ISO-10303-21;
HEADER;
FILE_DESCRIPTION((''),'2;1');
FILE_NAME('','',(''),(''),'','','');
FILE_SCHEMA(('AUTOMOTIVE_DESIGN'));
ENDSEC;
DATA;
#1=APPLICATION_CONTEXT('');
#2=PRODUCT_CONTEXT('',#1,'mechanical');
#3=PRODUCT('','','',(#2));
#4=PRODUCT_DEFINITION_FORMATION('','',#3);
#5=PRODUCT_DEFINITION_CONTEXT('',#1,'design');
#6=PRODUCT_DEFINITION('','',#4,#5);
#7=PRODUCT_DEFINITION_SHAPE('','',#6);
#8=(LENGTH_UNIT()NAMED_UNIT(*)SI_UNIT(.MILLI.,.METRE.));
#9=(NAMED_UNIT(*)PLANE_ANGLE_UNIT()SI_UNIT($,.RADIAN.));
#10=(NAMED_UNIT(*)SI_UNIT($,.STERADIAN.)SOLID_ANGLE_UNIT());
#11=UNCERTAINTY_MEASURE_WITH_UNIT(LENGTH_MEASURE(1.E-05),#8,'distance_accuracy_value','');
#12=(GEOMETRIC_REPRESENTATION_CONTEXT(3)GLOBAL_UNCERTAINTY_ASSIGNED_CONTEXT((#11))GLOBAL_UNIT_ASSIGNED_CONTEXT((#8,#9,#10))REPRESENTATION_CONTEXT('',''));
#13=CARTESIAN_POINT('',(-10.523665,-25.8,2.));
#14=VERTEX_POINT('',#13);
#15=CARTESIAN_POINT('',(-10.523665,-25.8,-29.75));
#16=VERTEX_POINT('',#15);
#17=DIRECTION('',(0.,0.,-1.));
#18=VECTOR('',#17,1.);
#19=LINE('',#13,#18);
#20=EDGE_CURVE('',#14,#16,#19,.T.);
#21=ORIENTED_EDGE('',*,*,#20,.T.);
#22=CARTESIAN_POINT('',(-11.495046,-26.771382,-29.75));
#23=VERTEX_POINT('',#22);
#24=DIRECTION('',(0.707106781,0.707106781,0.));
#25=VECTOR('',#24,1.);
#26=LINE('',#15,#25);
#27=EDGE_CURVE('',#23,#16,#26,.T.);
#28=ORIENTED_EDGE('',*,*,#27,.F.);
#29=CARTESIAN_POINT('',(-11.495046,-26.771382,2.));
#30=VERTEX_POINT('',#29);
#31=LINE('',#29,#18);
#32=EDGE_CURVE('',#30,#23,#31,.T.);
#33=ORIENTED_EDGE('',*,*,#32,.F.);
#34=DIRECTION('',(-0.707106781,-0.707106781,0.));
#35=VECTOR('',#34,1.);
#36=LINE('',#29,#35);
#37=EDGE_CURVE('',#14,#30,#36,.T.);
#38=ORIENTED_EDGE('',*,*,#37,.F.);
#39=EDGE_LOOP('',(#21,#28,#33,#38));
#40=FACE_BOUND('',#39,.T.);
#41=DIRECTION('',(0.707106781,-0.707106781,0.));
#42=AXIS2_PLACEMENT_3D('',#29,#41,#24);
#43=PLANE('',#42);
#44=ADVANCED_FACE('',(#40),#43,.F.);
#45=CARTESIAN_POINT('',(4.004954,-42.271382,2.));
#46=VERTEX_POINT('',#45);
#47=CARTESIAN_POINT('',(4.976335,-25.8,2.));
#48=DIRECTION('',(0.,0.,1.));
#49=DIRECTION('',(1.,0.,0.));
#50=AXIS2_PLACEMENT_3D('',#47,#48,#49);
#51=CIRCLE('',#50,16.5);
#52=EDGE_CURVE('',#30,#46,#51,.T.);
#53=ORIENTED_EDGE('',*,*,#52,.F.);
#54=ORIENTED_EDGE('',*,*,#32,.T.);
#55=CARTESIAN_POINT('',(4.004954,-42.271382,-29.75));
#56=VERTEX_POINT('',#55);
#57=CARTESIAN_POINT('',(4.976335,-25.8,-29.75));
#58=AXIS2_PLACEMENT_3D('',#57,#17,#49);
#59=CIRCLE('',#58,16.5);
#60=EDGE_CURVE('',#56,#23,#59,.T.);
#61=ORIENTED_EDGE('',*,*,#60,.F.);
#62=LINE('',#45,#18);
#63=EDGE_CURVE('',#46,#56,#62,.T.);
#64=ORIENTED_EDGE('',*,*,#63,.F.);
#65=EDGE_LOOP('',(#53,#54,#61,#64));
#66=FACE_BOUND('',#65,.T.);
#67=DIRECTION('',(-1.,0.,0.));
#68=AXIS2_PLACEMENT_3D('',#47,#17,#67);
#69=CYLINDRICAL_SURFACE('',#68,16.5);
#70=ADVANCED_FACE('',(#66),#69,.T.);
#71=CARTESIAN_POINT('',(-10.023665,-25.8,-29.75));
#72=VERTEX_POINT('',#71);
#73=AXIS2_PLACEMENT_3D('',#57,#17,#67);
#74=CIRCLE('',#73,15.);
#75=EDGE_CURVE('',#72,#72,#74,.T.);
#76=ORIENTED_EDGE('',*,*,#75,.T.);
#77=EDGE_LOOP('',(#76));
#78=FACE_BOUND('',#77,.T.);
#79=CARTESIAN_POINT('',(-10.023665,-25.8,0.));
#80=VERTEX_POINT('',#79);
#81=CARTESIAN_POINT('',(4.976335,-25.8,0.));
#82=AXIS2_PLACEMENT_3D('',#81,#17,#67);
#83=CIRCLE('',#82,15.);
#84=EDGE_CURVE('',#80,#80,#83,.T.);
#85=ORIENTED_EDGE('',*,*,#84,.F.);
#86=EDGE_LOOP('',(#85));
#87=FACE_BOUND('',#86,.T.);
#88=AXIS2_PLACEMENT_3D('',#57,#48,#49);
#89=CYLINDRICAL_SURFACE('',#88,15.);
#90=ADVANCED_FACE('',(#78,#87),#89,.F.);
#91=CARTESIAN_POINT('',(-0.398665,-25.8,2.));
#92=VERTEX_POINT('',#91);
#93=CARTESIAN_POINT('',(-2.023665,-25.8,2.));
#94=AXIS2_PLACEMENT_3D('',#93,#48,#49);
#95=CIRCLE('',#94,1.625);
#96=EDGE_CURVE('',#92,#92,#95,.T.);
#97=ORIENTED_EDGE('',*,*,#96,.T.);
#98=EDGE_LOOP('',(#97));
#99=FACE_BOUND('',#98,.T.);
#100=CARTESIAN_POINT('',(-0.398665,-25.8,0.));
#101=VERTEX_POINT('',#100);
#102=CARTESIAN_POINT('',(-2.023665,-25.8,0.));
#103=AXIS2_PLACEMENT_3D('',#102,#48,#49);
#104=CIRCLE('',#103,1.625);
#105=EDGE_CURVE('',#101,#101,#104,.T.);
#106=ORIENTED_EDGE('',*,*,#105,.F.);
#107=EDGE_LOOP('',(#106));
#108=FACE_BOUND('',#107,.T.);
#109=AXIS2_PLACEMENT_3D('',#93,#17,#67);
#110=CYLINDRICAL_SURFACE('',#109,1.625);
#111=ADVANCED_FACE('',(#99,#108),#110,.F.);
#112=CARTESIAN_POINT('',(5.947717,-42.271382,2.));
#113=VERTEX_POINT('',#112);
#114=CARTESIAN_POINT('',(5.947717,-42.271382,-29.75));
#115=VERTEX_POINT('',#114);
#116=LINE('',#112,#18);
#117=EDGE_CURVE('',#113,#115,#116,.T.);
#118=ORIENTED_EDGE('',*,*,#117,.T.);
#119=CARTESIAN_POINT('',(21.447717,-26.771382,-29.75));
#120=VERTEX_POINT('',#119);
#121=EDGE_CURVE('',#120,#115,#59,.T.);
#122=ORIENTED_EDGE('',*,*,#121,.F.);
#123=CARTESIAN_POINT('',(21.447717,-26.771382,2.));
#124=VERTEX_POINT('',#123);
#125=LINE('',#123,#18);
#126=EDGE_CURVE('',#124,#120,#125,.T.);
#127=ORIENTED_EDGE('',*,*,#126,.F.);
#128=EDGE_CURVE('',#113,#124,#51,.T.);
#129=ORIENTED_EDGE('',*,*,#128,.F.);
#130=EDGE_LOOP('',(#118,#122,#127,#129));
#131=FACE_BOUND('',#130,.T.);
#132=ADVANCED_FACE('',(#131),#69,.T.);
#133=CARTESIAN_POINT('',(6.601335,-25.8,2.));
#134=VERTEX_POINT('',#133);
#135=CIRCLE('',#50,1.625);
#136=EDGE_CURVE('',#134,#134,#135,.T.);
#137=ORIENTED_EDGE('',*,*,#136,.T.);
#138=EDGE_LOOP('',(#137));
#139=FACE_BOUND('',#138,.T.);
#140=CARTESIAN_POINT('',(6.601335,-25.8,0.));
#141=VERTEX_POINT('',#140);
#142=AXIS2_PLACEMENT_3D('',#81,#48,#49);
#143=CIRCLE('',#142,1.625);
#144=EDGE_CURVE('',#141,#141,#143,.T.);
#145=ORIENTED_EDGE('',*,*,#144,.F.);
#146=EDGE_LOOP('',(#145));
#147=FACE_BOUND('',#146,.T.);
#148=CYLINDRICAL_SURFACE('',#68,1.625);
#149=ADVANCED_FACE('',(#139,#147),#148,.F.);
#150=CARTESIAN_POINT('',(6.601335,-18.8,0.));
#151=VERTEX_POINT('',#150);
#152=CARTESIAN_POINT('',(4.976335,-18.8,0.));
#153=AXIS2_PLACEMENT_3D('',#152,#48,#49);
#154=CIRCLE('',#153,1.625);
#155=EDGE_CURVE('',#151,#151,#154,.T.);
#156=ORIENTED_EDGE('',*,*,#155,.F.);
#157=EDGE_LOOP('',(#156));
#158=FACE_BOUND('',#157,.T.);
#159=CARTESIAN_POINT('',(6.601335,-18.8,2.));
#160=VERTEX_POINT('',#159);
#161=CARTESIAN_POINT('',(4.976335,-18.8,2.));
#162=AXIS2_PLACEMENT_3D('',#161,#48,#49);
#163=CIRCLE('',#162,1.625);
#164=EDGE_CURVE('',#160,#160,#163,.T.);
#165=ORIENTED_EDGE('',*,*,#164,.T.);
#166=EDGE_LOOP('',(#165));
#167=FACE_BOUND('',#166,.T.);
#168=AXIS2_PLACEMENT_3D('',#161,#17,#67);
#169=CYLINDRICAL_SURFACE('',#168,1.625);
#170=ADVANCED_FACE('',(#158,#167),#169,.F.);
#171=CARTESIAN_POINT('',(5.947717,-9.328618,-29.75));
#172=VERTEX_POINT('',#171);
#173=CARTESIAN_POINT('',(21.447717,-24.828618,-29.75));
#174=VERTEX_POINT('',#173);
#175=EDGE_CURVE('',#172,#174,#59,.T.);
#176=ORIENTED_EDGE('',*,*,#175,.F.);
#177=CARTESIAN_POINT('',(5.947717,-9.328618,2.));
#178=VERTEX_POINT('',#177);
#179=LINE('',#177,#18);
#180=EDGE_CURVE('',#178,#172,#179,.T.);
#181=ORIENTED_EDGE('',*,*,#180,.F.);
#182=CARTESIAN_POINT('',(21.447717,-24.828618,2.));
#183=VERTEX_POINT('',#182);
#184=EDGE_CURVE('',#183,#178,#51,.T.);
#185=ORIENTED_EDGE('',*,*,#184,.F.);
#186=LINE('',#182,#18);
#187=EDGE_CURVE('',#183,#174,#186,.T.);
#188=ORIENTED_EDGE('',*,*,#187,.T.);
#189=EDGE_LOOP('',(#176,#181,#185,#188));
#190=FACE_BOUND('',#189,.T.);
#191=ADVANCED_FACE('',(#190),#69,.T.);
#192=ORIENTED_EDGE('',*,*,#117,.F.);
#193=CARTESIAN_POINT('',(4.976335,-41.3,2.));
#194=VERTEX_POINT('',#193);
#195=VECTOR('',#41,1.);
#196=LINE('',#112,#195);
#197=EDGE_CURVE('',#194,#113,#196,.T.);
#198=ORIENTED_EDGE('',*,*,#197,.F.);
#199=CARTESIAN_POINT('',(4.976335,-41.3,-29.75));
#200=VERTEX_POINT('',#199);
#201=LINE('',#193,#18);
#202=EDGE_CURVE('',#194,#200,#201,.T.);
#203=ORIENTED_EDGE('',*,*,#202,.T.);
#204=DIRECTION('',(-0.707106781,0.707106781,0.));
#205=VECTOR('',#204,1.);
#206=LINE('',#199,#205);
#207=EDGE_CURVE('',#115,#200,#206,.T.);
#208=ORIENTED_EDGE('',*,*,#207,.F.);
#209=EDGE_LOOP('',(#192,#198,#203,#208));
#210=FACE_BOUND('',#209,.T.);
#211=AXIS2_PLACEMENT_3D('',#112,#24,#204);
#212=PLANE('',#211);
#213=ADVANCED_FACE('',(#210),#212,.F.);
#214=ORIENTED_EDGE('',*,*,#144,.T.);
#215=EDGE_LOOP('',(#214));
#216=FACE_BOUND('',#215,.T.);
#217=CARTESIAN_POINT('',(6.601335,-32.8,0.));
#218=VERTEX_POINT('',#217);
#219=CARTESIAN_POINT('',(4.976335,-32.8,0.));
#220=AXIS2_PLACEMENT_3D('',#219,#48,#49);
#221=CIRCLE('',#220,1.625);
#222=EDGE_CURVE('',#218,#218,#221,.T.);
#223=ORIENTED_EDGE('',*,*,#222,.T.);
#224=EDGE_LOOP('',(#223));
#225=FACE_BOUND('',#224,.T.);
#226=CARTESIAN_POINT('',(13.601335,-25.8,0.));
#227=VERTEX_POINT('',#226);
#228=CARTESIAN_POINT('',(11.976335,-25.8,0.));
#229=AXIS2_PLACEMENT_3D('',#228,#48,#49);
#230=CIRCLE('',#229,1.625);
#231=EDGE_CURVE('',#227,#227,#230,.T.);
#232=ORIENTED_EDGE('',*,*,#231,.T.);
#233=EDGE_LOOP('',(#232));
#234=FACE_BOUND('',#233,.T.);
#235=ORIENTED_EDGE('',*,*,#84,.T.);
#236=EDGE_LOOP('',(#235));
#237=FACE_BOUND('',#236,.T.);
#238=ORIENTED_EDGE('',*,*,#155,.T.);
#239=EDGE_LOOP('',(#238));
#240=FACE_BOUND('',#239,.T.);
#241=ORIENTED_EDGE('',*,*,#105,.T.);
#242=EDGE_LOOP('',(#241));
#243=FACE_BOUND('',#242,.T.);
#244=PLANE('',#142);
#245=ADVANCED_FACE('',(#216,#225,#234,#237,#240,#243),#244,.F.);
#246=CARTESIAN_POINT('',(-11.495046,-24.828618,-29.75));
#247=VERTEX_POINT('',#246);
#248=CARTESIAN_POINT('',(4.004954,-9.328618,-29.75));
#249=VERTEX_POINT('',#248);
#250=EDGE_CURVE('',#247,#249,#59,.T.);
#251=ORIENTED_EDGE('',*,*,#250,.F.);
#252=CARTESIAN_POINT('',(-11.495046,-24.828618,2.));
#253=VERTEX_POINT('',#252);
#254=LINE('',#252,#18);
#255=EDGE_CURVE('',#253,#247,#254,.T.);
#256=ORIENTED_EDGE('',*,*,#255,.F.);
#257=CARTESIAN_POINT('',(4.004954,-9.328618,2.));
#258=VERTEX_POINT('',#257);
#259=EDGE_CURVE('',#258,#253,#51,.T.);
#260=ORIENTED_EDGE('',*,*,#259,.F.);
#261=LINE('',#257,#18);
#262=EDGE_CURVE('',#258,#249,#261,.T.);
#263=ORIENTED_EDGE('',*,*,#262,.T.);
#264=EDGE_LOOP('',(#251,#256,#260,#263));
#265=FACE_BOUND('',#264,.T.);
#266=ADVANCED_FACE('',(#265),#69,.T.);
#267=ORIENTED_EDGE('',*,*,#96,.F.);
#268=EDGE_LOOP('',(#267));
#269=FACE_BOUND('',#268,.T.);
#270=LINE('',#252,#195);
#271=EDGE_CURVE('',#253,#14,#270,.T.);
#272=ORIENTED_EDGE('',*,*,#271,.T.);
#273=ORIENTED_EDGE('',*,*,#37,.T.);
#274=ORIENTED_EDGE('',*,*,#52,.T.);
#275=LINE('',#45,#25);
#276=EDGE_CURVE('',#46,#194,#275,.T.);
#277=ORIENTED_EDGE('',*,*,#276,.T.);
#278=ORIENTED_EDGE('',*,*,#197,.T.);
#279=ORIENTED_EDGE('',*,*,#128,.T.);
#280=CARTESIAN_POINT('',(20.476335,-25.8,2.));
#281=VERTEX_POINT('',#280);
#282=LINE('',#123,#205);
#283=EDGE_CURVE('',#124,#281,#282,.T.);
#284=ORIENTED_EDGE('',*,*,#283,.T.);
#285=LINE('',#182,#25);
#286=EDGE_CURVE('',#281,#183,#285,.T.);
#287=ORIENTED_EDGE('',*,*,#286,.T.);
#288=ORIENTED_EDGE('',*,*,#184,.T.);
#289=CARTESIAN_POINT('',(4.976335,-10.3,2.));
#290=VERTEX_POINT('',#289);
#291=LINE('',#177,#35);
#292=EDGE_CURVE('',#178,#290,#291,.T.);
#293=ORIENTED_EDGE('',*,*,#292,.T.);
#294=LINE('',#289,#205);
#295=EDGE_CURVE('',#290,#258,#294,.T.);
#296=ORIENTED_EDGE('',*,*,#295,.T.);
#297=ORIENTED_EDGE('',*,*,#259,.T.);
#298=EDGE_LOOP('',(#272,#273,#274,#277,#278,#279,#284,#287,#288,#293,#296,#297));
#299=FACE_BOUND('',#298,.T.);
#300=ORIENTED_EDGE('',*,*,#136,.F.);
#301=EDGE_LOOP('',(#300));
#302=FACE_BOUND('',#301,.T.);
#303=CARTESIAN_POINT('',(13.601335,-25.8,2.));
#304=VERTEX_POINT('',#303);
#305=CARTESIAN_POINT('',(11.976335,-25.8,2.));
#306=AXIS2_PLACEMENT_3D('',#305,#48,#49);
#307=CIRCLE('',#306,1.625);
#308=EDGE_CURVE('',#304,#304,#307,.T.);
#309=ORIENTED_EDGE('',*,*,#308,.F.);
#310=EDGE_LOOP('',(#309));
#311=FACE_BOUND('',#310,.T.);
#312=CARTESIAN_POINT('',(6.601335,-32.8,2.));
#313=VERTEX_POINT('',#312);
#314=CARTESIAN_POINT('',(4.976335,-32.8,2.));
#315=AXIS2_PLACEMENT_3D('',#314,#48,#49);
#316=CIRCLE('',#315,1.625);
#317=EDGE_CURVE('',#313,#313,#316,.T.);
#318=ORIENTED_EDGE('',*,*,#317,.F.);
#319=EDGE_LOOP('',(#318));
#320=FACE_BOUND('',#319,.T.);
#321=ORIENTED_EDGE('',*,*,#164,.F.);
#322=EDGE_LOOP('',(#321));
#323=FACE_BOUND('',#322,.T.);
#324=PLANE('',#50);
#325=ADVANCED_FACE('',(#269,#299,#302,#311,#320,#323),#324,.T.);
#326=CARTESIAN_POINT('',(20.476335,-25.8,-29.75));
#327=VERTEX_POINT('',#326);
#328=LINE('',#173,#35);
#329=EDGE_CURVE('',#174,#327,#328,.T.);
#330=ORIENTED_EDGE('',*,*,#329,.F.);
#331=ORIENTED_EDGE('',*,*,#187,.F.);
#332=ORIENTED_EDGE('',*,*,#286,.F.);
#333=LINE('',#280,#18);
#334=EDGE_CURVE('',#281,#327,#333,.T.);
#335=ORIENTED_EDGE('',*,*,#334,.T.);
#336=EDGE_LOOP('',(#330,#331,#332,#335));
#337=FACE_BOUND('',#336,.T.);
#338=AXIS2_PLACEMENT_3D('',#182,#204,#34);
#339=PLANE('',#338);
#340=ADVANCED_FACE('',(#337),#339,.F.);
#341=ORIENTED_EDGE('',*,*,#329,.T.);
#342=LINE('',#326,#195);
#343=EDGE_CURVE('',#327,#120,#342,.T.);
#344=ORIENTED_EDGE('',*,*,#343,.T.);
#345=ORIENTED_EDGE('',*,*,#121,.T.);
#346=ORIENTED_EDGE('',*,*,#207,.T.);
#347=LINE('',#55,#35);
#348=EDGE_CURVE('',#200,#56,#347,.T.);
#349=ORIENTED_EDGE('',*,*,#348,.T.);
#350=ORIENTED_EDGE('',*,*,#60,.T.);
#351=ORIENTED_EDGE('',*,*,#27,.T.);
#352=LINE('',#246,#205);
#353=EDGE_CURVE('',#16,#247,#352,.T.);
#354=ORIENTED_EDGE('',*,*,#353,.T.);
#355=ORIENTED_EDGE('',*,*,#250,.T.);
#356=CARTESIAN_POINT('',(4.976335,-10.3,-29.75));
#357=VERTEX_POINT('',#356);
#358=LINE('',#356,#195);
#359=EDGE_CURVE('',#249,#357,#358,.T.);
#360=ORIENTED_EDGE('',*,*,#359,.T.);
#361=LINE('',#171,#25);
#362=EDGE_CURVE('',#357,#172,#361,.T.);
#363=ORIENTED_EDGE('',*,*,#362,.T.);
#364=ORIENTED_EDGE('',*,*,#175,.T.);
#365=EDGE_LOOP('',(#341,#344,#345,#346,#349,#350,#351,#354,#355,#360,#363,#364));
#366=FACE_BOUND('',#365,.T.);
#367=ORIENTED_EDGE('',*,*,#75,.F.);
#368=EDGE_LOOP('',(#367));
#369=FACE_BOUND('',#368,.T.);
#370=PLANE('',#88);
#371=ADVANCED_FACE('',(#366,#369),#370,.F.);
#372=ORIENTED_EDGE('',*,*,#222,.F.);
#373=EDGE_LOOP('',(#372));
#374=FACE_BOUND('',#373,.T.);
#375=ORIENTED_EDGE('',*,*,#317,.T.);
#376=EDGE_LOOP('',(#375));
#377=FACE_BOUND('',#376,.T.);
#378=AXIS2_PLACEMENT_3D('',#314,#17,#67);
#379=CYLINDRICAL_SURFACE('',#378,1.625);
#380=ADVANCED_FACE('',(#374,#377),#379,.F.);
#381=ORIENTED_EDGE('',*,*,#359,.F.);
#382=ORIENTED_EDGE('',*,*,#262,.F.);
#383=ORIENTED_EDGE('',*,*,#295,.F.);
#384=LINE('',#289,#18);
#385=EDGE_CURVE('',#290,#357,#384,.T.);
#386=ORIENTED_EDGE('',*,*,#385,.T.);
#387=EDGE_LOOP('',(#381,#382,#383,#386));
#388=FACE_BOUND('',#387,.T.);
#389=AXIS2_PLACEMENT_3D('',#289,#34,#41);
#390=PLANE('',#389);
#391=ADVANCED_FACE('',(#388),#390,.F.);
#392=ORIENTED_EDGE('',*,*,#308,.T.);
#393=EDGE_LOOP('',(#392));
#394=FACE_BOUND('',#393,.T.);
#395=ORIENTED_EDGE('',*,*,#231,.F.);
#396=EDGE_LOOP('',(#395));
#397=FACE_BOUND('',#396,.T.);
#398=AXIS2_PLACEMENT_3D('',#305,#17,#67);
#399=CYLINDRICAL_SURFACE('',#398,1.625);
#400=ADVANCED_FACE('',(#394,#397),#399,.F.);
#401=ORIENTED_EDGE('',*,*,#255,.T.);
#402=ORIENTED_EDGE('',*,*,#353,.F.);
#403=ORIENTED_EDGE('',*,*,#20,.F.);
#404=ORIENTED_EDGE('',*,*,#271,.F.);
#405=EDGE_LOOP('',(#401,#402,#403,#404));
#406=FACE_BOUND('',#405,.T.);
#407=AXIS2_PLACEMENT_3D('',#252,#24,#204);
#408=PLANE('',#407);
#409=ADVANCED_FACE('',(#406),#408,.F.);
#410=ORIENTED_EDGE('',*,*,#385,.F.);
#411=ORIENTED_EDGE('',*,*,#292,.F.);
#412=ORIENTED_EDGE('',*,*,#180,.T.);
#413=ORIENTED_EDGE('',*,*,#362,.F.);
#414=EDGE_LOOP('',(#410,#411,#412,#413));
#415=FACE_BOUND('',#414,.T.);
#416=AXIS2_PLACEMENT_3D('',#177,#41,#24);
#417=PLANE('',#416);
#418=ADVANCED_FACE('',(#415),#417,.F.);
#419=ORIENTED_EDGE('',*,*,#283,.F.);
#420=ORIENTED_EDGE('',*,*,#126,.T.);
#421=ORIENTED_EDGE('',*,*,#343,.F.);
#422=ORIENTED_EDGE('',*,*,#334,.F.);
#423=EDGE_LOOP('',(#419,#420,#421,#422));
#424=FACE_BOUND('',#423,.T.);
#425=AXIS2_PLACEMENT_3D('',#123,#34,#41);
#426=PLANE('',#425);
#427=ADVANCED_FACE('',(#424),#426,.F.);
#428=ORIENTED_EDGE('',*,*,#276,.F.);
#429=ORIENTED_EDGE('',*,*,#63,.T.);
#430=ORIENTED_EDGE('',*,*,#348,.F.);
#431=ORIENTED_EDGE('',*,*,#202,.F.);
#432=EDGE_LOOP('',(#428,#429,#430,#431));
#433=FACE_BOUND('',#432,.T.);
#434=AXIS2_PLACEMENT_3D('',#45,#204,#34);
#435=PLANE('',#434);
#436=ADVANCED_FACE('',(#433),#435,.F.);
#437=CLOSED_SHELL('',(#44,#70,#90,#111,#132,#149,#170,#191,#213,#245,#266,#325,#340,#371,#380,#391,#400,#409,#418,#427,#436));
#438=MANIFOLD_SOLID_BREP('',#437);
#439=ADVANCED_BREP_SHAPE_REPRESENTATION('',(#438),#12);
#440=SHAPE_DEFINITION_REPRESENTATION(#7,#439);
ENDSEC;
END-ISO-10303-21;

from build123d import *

# Parameters (mm, degrees)
CROQUIS1_R              = 1.625
SALIENTE_EXTRUIR1_DEPTH = 2
SALIENTE_EXTRUIR2_START = 29.75
CROQUIS3_R              = 15
SALIENTE_EXTRUIR2_DEPTH = 29.75


with BuildPart() as part:
    # Croquis1 → Saliente-Extruir1 (new body)
    with BuildSketch(Plane.XY):
        with BuildLine():
            Line((21.447717133, -26.771381771), (20.476335362, -25.8))
            Line((20.476335362, -25.8), (21.447717133, -24.828618229))
            ThreePointArc((21.447717133, -24.828618229), (16.643597251, -14.13273811), (5.947717133, -9.328618229))
            Line((5.947717133, -9.328618229), (4.976335362, -10.3))
            Line((4.976335362, -10.3), (4.00495359, -9.328618229))
            ThreePointArc((4.00495359, -9.328618229), (-6.690926528, -14.13273811), (-11.49504641, -24.828618229))
            Line((-11.49504641, -24.828618229), (-10.523664638, -25.8))
            Line((-10.523664638, -25.8), (-11.49504641, -26.771381771))
            ThreePointArc((-11.49504641, -26.771381771), (-6.690926528, -37.46726189), (4.00495359, -42.271381771))
            Line((4.00495359, -42.271381771), (4.976335362, -41.3))
            Line((4.976335362, -41.3), (5.947717133, -42.271381771))
            ThreePointArc((5.947717133, -42.271381771), (16.643597251, -37.46726189), (21.447717133, -26.771381771))
        make_face()
        with Locations((4.976335362, -25.8)):
            Circle(CROQUIS1_R, mode=Mode.SUBTRACT)
        with Locations((-2.023664638, -25.8)):
            Circle(CROQUIS1_R, mode=Mode.SUBTRACT)
        with Locations((4.976335362, -18.8)):
            Circle(CROQUIS1_R, mode=Mode.SUBTRACT)
        with Locations((11.976335362, -25.8)):
            Circle(CROQUIS1_R, mode=Mode.SUBTRACT)
        with Locations((4.976335362, -32.8)):
            Circle(CROQUIS1_R, mode=Mode.SUBTRACT)
    extrude(amount=SALIENTE_EXTRUIR1_DEPTH)

    # Croquis3 → Saliente-Extruir2 (add)
    with BuildSketch(Plane(origin=(0, 0, 0), x_dir=(-1, 0, 0), z_dir=(0, 0, -1)).offset(SALIENTE_EXTRUIR2_START)):
        with BuildLine():
            Line((-5.947717133, -9.328618229), (-4.976335362, -10.3))
            Line((-4.976335362, -10.3), (-4.00495359, -9.328618229))
            ThreePointArc((-4.00495359, -9.328618229), (6.690926528, -14.13273811), (11.49504641, -24.828618229))
            Line((11.49504641, -24.828618229), (10.523664638, -25.8))
            Line((10.523664638, -25.8), (11.49504641, -26.771381771))
            ThreePointArc((11.49504641, -26.771381771), (6.690926528, -37.46726189), (-4.00495359, -42.271381771))
            Line((-4.00495359, -42.271381771), (-4.976335362, -41.3))
            Line((-4.976335362, -41.3), (-5.947717133, -42.271381771))
            ThreePointArc((-5.947717133, -42.271381771), (-16.643597251, -37.46726189), (-21.447717133, -26.771381771))
            Line((-21.447717133, -26.771381771), (-20.476335362, -25.8))
            Line((-20.476335362, -25.8), (-21.447717133, -24.828618229))
            ThreePointArc((-21.447717133, -24.828618229), (-16.643597251, -14.13273811), (-5.947717133, -9.328618229))
        make_face()
        with Locations((-4.976335362, -25.8)):
            Circle(CROQUIS3_R, mode=Mode.SUBTRACT)
    extrude(amount=-SALIENTE_EXTRUIR2_DEPTH)


solid = part.part
